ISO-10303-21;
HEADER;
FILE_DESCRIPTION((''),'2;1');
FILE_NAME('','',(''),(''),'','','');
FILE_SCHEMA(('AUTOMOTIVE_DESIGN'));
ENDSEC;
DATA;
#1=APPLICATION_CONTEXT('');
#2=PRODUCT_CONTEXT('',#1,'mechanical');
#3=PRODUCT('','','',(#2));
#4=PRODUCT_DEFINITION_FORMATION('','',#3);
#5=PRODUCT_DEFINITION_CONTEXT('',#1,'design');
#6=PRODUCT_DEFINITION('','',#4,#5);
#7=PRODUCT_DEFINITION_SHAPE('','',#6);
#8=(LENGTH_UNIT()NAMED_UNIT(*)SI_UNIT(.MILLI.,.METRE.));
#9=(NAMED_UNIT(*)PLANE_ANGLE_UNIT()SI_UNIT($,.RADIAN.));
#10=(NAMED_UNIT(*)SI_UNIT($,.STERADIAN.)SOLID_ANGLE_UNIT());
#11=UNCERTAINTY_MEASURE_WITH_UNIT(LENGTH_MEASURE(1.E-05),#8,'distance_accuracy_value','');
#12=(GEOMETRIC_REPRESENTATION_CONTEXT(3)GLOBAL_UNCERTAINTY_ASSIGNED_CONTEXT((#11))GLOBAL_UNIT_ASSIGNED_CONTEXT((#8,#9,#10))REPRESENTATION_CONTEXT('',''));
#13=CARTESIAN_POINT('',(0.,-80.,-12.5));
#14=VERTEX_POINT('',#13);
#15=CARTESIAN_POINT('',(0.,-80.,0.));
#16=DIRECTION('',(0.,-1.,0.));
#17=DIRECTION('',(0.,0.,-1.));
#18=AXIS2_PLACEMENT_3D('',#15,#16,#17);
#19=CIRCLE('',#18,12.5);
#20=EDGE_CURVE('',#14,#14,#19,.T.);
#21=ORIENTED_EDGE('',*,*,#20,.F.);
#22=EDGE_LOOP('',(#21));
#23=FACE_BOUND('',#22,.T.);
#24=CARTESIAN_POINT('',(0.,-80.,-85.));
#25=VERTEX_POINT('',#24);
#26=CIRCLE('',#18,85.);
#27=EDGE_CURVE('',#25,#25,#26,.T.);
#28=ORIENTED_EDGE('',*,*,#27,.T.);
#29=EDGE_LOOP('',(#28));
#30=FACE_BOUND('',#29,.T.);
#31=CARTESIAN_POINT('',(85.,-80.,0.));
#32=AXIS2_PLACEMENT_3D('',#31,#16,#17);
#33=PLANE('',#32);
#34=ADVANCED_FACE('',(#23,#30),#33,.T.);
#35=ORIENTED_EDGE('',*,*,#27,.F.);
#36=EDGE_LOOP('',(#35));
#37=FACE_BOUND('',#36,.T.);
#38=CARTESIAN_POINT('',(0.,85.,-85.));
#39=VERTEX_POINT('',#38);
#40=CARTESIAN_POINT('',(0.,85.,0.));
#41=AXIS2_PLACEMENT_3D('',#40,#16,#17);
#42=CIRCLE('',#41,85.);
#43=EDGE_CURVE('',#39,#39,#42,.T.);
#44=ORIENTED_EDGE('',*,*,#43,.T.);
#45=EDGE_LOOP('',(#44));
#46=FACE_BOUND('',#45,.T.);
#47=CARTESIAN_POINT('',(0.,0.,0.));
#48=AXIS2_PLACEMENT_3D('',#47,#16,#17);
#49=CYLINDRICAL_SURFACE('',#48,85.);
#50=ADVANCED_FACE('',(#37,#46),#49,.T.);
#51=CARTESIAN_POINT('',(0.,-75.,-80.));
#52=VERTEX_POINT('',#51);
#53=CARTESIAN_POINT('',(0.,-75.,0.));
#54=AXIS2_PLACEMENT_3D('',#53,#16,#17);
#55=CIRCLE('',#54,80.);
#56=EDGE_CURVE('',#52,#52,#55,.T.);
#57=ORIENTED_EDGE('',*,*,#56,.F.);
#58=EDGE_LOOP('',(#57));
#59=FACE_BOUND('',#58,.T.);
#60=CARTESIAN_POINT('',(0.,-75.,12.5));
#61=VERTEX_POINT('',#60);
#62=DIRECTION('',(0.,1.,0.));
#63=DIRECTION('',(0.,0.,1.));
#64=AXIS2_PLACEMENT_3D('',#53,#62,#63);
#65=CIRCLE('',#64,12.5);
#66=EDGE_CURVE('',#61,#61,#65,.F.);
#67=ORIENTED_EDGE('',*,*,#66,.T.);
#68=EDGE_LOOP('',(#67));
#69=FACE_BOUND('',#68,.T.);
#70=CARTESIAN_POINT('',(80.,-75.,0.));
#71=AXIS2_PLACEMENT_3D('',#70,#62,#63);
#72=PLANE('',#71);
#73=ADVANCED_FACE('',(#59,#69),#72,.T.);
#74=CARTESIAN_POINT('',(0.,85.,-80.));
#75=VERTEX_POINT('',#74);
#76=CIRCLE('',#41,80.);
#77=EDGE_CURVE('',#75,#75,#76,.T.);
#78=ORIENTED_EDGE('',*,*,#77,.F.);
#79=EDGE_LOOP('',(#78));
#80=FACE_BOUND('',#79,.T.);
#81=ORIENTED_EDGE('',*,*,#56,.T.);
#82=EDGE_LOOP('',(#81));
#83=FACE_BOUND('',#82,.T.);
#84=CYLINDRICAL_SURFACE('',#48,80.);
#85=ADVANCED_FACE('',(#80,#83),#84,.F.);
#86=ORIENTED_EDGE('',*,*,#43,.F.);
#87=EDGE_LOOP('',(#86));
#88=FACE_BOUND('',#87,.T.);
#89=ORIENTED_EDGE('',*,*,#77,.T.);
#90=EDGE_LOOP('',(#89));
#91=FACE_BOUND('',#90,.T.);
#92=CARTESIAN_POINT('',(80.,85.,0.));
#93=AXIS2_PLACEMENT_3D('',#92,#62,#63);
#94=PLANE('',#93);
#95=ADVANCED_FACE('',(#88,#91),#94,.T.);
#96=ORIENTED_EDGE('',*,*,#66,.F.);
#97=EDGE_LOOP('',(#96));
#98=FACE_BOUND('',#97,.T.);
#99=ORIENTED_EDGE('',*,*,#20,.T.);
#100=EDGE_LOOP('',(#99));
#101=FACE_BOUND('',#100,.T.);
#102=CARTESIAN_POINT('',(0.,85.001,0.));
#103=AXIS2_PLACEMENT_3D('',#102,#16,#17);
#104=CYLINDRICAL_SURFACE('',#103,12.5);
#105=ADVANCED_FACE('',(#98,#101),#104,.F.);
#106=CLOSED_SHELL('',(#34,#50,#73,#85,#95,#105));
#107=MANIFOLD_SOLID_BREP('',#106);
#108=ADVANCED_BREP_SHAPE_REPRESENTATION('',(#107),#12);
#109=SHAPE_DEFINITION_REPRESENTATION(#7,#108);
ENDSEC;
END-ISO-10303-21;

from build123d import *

# Parameters (mm, degrees)
CUT_EXTRUDE2_REACH = 206.145
MOTOR_HOLE_R       = 12.5


with BuildPart() as part:
    # Compartment → Revolve1 (revolve)
    with BuildSketch(Plane.XY, mode=Mode.PRIVATE) as revolve1_sk:
        Polygon((85, -80), (0, -80), (0, -75), (80, -75), (80, 85), (85, 85), align=None)
    revolve(revolve1_sk.sketch.rotate(Axis((0, 0, 0), (0, 1, 0)), 90), axis=Axis((0, 0, 0), (0, 1, 0)))

    # Motor Hole → Cut-Extrude2 (cut, up to next)
    with BuildSketch(Plane.XZ.offset(80), mode=Mode.PRIVATE) as cut_extrude2_sk1:
        with Locations(Location((0, 0, 0), (0, 0, 270))):
            Circle(MOTOR_HOLE_R)
    cut_extrude2_tool1 = extrude(cut_extrude2_sk1.sketch, amount=-CUT_EXTRUDE2_REACH, mode=Mode.PRIVATE) & part.part
    add(cut_extrude2_tool1.solids().sort_by_distance((0, -80, 0))[0], mode=Mode.SUBTRACT)


solid = part.part
